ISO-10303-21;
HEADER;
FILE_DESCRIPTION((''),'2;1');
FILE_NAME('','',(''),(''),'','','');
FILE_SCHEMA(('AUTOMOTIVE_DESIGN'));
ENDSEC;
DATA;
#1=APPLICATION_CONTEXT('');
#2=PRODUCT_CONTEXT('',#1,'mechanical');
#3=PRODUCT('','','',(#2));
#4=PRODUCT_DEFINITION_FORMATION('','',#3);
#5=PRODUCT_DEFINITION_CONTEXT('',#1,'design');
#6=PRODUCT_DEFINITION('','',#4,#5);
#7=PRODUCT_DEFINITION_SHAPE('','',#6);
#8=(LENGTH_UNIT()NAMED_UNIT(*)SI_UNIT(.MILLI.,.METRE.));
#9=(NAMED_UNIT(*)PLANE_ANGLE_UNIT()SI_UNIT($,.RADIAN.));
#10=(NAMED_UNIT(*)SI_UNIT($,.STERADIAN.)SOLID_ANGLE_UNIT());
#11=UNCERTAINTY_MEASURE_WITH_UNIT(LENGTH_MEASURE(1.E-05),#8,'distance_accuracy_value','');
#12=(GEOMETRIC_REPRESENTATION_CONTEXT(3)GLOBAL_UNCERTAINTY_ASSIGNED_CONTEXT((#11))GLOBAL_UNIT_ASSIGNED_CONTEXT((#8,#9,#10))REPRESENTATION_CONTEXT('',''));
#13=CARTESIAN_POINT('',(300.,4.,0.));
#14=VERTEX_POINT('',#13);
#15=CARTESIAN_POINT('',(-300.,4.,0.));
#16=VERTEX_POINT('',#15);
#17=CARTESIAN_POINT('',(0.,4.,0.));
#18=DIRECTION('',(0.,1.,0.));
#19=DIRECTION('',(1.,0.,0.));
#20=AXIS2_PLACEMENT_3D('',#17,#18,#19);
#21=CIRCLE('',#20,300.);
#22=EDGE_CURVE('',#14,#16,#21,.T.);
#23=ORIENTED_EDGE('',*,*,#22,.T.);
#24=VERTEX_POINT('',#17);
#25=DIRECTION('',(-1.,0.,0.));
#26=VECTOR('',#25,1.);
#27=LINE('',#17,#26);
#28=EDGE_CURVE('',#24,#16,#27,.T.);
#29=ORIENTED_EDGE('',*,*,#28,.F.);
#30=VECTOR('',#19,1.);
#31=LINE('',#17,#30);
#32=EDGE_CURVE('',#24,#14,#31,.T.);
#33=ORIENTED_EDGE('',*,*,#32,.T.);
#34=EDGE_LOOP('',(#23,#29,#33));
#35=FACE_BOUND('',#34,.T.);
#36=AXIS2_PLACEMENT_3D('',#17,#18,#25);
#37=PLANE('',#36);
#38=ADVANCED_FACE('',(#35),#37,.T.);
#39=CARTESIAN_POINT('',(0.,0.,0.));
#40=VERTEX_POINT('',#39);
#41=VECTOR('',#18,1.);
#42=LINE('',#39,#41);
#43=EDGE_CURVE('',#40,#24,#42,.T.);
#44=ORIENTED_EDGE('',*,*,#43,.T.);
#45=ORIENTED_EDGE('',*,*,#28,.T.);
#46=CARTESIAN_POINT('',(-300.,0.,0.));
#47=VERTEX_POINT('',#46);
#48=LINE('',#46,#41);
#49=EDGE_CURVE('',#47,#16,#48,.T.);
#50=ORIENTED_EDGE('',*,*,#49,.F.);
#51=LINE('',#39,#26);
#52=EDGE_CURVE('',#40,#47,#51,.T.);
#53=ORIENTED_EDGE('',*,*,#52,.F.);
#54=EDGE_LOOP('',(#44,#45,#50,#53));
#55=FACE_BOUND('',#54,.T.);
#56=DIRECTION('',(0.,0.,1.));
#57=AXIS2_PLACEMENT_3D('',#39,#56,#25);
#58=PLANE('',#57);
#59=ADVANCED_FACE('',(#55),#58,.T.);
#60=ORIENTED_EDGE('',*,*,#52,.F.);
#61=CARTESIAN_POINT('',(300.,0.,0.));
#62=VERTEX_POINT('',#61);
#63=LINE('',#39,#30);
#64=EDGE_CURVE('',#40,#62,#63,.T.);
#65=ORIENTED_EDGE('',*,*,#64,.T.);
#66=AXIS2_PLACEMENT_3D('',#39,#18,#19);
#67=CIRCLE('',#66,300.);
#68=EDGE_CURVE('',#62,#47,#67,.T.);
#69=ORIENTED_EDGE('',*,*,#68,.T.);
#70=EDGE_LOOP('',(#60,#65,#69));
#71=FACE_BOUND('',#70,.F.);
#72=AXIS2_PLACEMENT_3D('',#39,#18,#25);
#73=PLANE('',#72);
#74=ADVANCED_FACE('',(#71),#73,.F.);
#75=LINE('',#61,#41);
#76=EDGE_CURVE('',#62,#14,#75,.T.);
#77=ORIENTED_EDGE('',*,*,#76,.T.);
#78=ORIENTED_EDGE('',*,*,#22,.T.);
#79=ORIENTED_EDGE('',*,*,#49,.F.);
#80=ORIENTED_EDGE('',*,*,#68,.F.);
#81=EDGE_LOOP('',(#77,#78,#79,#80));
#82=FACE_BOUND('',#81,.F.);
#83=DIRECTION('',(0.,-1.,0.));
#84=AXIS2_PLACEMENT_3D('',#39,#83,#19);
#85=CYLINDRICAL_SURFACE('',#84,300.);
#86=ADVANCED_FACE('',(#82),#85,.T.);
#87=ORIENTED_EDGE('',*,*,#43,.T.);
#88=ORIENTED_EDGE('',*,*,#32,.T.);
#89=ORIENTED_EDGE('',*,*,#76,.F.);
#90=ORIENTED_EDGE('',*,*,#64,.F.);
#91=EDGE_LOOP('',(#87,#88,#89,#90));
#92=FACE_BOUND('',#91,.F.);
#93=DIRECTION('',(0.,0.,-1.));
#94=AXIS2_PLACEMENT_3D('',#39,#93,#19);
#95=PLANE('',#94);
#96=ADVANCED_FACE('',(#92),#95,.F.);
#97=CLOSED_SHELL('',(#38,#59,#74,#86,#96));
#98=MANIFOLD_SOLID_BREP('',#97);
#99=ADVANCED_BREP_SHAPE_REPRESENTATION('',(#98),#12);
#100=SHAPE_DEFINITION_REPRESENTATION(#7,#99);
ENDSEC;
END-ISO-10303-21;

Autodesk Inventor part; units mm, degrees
ref_plane "YZ Plane" through (0, 0, 0) normal (1, 0, 0) x (0, 1, 0)
ref_plane "XZ Plane" through (0, 0, 0) normal (0, 1, 0) x (-1, 0, 0)
ref_plane "XY Plane" through (0, 0, 0) normal (0, 0, 1) x (1, 0, 0)
sketch "Sketch1" plane through (0, 0, 0) normal (0, 1, 0) x (-1, 0, 0)
  arc A0 (-300, 0) -> (300, 0) centre (0, 0) ccw
  line L0 (0, 0) -> (-300, 0)
  line L1 (0, 0) -> (300, 0)
  dimension "d0" = 300
  dimension "d1" = 180
extrude "Extrusion1" add sketch "Sketch1" along normal blind 4
properties part number "Juring Setengah Lingkaran"
